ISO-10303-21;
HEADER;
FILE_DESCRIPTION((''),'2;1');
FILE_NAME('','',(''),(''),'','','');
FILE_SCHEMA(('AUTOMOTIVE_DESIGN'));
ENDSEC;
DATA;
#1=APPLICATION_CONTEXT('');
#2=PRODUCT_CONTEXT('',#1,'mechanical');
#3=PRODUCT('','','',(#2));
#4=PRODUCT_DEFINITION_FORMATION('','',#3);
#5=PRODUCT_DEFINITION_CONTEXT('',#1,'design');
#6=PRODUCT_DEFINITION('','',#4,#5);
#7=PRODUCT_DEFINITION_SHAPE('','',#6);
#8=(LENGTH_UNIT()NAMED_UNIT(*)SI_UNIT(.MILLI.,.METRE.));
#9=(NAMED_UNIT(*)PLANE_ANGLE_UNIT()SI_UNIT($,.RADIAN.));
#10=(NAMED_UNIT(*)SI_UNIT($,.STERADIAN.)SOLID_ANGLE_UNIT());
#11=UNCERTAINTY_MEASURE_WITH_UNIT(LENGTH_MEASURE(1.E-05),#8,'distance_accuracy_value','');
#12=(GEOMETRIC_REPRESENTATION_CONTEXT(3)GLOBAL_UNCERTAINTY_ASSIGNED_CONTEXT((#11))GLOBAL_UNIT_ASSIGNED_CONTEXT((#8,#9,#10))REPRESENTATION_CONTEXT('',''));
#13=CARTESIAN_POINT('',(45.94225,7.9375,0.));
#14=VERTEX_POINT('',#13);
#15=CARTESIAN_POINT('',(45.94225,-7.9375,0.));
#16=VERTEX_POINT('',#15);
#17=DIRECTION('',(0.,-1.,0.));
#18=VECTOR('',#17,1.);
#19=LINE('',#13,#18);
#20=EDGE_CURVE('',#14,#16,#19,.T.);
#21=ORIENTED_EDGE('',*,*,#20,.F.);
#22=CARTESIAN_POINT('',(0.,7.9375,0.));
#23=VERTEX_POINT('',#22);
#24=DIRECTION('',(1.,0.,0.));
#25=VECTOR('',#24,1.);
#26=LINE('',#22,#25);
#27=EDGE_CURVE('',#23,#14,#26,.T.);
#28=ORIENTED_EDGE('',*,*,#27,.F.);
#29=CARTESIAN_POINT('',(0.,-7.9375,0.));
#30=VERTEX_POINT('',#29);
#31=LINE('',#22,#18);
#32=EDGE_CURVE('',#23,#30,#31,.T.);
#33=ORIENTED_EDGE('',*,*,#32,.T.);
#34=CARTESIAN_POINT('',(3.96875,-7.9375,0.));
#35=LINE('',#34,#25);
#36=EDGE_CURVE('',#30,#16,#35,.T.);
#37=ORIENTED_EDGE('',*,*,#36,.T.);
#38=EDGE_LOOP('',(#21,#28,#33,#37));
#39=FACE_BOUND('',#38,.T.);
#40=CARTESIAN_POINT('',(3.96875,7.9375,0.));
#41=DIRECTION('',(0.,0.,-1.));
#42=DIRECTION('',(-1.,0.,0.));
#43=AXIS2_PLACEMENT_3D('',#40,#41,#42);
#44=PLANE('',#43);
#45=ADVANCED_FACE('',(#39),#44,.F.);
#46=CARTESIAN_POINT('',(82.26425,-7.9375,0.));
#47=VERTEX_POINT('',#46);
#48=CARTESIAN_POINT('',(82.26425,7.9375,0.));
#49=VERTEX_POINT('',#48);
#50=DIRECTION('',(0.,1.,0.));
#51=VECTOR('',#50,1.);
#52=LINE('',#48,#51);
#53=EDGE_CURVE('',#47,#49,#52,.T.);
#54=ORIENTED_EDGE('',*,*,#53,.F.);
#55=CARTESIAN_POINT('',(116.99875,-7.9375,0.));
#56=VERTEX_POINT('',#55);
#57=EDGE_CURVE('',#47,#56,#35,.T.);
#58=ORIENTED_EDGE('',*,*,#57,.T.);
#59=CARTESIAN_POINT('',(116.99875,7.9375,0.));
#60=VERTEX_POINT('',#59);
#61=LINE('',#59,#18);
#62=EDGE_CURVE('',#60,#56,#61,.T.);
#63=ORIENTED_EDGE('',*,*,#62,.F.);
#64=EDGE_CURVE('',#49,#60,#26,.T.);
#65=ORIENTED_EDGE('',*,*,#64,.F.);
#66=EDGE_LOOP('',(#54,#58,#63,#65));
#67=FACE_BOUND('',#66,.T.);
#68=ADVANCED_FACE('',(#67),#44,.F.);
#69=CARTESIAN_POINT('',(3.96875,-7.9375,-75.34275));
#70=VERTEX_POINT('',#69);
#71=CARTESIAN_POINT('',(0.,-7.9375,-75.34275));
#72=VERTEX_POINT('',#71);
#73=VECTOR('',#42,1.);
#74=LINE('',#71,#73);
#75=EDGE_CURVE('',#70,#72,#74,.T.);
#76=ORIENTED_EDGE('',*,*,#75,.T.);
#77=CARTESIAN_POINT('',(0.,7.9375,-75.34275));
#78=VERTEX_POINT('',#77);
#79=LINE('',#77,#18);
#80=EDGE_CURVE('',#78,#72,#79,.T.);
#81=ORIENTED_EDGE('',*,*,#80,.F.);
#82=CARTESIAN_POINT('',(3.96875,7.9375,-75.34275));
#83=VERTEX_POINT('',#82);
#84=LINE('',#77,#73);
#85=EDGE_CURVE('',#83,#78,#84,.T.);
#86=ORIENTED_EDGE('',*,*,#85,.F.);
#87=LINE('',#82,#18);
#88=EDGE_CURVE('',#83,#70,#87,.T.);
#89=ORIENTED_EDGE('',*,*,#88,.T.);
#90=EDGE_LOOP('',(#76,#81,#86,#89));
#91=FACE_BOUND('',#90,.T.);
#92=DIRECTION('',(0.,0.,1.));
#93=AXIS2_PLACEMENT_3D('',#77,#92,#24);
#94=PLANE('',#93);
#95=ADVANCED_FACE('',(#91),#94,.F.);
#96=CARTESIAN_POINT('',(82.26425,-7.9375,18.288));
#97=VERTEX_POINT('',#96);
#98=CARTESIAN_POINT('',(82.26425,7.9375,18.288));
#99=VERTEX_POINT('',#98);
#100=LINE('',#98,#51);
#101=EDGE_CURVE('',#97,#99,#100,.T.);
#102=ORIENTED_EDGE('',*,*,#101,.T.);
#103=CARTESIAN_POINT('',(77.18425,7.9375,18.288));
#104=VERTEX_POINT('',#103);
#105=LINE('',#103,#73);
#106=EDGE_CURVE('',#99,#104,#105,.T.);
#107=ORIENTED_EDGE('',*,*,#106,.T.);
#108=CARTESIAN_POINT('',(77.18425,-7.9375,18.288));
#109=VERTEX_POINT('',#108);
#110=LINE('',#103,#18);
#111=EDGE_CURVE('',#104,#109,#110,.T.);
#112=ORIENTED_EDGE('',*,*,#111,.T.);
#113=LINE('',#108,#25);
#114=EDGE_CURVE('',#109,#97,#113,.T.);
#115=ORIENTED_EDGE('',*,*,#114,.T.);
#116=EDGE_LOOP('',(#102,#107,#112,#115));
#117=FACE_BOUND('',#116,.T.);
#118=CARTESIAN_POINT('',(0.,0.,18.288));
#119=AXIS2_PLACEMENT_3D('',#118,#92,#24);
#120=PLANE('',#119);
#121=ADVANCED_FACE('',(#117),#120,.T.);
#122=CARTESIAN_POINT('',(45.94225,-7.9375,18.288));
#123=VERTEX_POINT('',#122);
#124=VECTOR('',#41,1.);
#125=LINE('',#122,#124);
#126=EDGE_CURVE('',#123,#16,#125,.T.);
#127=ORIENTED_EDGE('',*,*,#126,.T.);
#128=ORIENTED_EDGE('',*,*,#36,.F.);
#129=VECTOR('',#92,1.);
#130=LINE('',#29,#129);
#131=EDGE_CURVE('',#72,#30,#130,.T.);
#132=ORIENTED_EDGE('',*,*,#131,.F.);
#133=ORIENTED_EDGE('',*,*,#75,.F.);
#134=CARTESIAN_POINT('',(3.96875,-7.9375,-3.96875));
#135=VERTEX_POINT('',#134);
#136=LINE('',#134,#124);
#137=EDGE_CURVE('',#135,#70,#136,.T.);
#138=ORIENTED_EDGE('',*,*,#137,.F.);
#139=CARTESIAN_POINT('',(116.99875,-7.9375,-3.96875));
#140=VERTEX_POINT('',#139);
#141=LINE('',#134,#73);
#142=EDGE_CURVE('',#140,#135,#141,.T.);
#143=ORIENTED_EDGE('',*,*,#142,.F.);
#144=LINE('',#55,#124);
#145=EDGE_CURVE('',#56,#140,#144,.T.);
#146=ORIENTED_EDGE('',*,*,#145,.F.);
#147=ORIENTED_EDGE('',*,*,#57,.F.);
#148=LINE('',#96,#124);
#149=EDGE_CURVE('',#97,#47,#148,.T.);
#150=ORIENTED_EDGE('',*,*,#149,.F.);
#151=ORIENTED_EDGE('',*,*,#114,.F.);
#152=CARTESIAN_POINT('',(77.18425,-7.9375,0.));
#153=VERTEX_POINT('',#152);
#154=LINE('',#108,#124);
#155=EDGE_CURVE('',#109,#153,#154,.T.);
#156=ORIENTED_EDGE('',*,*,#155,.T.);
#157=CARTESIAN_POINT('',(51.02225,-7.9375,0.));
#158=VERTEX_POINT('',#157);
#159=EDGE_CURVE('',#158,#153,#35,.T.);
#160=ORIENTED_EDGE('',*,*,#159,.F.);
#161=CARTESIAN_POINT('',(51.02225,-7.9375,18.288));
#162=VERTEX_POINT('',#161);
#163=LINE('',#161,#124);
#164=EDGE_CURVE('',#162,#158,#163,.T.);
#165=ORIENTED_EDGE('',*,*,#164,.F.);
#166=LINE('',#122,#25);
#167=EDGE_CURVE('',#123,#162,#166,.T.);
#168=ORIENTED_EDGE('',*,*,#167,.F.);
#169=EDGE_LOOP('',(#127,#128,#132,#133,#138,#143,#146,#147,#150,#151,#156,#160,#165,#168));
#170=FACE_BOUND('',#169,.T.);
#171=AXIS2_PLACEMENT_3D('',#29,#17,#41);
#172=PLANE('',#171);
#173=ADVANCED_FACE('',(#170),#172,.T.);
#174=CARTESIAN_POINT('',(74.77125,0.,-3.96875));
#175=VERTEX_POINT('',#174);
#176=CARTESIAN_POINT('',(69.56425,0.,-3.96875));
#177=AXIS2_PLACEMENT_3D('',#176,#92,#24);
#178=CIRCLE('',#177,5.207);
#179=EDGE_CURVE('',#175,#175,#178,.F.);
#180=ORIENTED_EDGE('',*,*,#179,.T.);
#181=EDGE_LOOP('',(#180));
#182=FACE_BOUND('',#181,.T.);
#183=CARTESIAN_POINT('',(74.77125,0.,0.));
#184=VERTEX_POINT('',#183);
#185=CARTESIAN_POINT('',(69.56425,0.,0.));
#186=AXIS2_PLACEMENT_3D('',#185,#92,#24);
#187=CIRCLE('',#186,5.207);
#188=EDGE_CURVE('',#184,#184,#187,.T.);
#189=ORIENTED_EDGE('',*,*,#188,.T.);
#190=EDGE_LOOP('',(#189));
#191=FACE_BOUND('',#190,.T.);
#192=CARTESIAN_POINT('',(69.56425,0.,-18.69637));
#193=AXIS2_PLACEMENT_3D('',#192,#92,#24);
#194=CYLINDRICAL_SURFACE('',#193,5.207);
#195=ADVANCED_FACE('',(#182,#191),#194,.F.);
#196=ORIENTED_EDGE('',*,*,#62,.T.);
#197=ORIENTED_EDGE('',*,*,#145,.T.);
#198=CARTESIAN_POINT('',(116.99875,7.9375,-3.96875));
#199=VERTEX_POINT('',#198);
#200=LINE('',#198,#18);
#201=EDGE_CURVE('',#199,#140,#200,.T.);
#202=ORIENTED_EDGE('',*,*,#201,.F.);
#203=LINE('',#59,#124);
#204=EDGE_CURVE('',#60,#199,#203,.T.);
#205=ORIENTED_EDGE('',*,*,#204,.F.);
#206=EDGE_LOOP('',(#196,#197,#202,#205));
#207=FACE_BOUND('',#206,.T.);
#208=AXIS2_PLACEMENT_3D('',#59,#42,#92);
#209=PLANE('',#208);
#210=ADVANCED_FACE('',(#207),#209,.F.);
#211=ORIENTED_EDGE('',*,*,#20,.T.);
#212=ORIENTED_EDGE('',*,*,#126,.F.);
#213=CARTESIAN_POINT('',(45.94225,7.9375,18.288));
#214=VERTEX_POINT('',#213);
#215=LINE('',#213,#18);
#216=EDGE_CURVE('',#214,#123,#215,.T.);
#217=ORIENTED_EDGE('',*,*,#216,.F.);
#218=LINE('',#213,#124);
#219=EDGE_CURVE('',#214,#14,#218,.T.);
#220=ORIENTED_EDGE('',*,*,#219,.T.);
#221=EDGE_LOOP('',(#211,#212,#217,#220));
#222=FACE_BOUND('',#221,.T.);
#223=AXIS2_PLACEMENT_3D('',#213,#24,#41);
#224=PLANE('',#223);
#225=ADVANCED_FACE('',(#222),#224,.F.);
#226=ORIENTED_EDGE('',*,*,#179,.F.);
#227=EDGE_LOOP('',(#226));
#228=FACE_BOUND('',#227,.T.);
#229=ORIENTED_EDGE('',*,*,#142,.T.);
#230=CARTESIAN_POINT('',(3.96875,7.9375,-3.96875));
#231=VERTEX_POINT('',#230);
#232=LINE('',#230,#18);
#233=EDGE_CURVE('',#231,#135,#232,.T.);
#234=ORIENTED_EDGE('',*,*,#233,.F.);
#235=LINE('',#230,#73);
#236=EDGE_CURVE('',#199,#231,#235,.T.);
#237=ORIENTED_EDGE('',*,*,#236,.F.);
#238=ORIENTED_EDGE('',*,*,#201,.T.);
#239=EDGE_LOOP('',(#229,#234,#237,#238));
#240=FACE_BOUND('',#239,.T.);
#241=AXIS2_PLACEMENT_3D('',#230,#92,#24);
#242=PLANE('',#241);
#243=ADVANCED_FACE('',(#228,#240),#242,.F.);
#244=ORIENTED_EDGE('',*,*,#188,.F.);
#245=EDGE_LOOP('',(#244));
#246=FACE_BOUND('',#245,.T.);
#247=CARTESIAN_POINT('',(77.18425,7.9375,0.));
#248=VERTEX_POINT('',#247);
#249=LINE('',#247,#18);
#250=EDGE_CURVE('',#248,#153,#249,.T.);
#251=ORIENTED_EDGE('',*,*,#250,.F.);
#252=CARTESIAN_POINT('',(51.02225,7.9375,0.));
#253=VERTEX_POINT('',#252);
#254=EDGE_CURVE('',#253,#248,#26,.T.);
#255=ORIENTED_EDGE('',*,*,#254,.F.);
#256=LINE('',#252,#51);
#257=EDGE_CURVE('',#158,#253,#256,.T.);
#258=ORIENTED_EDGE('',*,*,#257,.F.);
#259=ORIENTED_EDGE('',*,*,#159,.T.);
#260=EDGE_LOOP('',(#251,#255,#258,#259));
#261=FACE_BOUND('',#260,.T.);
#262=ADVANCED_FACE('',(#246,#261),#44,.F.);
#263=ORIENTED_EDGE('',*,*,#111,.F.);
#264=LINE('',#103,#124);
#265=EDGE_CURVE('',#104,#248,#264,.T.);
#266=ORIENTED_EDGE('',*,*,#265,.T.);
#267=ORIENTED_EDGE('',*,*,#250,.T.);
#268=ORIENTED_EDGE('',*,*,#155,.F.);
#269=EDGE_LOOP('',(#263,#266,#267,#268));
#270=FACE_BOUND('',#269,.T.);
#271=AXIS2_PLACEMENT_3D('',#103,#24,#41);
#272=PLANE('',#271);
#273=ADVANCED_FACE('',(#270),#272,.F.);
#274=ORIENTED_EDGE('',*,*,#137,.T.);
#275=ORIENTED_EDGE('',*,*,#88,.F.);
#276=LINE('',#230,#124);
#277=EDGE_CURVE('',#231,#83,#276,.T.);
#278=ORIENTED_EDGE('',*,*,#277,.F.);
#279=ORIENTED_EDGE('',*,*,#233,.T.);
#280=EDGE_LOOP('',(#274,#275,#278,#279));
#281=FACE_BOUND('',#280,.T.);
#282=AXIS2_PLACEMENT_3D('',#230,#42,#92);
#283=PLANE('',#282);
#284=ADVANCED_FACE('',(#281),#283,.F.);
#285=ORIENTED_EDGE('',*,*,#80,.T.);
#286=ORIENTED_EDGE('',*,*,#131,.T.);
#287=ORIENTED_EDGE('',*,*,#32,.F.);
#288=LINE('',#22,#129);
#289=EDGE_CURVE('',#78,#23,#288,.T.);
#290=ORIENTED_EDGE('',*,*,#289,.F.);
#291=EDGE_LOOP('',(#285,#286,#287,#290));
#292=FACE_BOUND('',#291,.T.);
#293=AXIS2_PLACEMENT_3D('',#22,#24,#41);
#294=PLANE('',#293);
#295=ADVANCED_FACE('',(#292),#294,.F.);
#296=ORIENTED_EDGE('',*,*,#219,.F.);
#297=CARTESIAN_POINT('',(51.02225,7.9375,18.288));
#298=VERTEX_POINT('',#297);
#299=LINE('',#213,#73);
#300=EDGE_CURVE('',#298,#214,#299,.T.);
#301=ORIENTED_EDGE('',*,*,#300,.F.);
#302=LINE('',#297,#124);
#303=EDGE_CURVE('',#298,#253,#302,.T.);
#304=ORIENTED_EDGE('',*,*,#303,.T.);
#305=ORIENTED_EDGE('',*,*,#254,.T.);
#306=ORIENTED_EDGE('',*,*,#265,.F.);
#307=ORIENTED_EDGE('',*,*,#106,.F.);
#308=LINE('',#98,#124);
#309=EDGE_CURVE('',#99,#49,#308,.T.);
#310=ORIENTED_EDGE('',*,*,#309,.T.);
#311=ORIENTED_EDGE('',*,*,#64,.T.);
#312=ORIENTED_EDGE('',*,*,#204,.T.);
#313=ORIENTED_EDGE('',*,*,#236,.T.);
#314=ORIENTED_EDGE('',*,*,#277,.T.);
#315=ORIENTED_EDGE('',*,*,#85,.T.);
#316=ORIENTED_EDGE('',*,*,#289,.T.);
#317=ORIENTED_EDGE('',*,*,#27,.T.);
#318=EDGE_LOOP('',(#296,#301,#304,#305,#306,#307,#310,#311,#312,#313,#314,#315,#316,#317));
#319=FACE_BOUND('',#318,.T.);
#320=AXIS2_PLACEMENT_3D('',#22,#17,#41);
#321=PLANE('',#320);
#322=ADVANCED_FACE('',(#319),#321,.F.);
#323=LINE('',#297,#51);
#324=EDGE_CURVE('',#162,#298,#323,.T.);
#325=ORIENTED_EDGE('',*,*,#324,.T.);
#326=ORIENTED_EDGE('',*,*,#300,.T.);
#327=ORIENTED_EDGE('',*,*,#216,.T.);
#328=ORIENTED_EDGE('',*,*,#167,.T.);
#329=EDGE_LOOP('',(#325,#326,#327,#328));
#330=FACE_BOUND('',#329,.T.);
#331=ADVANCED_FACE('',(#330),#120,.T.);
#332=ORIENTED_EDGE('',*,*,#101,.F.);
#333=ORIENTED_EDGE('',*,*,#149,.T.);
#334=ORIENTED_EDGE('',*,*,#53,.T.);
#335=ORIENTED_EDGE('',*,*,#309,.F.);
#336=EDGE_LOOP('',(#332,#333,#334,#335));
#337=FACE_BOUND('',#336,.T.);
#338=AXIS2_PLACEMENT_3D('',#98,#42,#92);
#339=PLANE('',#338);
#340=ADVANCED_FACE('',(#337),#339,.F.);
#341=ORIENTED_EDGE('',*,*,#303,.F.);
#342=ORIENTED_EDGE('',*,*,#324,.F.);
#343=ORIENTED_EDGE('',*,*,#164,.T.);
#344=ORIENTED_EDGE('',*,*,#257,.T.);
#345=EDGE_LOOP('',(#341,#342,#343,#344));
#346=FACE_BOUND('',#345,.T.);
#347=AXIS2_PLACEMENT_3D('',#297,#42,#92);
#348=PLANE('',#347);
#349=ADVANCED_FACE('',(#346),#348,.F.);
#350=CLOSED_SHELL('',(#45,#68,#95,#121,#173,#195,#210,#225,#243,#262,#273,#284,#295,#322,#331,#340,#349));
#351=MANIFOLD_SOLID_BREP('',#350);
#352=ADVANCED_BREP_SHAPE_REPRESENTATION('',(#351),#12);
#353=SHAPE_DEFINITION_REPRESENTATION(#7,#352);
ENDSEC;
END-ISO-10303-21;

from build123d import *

# Parameters (mm, degrees)
BOSS_EXTRUDE1_DEPTH = 7.9375
SKETCH2_R           = 5.207
CUT_EXTRUDE1_DEPTH  = 3.96875
SKETCH4_W           = 5.08
SKETCH4_H           = 15.875
BOSS_EXTRUDE2_DEPTH = 18.288


with BuildPart() as part:
    # Sketch1 → Boss-Extrude1 (new, symmetric)
    with BuildSketch(Plane(origin=(0, 0, 0), x_dir=(1, 0, 0), z_dir=(0, 1, 0))):
        Polygon((0, 0), (3.96875, 0), (116.99875, 0), (116.99875, 3.96875), (3.96875, 3.96875), (3.96875, 75.34275), (0, 75.34275), align=None)
    extrude(amount=BOSS_EXTRUDE1_DEPTH, both=True)

    # Sketch2 → Cut-Extrude1 (cut)
    with BuildSketch(Plane.XY):
        with Locations((69.56425, 0)):
            Circle(SKETCH2_R)
    extrude(amount=-CUT_EXTRUDE1_DEPTH, mode=Mode.SUBTRACT)

    # Sketch4 → Boss-Extrude2 (add)
    with BuildSketch(Plane.XY):
        with Locations((48.48225, 0)):
            Rectangle(SKETCH4_W, SKETCH4_H)
        with Locations((79.72425, 0)):
            Rectangle(SKETCH4_W, SKETCH4_H)
    extrude(amount=BOSS_EXTRUDE2_DEPTH)


solid = part.part
